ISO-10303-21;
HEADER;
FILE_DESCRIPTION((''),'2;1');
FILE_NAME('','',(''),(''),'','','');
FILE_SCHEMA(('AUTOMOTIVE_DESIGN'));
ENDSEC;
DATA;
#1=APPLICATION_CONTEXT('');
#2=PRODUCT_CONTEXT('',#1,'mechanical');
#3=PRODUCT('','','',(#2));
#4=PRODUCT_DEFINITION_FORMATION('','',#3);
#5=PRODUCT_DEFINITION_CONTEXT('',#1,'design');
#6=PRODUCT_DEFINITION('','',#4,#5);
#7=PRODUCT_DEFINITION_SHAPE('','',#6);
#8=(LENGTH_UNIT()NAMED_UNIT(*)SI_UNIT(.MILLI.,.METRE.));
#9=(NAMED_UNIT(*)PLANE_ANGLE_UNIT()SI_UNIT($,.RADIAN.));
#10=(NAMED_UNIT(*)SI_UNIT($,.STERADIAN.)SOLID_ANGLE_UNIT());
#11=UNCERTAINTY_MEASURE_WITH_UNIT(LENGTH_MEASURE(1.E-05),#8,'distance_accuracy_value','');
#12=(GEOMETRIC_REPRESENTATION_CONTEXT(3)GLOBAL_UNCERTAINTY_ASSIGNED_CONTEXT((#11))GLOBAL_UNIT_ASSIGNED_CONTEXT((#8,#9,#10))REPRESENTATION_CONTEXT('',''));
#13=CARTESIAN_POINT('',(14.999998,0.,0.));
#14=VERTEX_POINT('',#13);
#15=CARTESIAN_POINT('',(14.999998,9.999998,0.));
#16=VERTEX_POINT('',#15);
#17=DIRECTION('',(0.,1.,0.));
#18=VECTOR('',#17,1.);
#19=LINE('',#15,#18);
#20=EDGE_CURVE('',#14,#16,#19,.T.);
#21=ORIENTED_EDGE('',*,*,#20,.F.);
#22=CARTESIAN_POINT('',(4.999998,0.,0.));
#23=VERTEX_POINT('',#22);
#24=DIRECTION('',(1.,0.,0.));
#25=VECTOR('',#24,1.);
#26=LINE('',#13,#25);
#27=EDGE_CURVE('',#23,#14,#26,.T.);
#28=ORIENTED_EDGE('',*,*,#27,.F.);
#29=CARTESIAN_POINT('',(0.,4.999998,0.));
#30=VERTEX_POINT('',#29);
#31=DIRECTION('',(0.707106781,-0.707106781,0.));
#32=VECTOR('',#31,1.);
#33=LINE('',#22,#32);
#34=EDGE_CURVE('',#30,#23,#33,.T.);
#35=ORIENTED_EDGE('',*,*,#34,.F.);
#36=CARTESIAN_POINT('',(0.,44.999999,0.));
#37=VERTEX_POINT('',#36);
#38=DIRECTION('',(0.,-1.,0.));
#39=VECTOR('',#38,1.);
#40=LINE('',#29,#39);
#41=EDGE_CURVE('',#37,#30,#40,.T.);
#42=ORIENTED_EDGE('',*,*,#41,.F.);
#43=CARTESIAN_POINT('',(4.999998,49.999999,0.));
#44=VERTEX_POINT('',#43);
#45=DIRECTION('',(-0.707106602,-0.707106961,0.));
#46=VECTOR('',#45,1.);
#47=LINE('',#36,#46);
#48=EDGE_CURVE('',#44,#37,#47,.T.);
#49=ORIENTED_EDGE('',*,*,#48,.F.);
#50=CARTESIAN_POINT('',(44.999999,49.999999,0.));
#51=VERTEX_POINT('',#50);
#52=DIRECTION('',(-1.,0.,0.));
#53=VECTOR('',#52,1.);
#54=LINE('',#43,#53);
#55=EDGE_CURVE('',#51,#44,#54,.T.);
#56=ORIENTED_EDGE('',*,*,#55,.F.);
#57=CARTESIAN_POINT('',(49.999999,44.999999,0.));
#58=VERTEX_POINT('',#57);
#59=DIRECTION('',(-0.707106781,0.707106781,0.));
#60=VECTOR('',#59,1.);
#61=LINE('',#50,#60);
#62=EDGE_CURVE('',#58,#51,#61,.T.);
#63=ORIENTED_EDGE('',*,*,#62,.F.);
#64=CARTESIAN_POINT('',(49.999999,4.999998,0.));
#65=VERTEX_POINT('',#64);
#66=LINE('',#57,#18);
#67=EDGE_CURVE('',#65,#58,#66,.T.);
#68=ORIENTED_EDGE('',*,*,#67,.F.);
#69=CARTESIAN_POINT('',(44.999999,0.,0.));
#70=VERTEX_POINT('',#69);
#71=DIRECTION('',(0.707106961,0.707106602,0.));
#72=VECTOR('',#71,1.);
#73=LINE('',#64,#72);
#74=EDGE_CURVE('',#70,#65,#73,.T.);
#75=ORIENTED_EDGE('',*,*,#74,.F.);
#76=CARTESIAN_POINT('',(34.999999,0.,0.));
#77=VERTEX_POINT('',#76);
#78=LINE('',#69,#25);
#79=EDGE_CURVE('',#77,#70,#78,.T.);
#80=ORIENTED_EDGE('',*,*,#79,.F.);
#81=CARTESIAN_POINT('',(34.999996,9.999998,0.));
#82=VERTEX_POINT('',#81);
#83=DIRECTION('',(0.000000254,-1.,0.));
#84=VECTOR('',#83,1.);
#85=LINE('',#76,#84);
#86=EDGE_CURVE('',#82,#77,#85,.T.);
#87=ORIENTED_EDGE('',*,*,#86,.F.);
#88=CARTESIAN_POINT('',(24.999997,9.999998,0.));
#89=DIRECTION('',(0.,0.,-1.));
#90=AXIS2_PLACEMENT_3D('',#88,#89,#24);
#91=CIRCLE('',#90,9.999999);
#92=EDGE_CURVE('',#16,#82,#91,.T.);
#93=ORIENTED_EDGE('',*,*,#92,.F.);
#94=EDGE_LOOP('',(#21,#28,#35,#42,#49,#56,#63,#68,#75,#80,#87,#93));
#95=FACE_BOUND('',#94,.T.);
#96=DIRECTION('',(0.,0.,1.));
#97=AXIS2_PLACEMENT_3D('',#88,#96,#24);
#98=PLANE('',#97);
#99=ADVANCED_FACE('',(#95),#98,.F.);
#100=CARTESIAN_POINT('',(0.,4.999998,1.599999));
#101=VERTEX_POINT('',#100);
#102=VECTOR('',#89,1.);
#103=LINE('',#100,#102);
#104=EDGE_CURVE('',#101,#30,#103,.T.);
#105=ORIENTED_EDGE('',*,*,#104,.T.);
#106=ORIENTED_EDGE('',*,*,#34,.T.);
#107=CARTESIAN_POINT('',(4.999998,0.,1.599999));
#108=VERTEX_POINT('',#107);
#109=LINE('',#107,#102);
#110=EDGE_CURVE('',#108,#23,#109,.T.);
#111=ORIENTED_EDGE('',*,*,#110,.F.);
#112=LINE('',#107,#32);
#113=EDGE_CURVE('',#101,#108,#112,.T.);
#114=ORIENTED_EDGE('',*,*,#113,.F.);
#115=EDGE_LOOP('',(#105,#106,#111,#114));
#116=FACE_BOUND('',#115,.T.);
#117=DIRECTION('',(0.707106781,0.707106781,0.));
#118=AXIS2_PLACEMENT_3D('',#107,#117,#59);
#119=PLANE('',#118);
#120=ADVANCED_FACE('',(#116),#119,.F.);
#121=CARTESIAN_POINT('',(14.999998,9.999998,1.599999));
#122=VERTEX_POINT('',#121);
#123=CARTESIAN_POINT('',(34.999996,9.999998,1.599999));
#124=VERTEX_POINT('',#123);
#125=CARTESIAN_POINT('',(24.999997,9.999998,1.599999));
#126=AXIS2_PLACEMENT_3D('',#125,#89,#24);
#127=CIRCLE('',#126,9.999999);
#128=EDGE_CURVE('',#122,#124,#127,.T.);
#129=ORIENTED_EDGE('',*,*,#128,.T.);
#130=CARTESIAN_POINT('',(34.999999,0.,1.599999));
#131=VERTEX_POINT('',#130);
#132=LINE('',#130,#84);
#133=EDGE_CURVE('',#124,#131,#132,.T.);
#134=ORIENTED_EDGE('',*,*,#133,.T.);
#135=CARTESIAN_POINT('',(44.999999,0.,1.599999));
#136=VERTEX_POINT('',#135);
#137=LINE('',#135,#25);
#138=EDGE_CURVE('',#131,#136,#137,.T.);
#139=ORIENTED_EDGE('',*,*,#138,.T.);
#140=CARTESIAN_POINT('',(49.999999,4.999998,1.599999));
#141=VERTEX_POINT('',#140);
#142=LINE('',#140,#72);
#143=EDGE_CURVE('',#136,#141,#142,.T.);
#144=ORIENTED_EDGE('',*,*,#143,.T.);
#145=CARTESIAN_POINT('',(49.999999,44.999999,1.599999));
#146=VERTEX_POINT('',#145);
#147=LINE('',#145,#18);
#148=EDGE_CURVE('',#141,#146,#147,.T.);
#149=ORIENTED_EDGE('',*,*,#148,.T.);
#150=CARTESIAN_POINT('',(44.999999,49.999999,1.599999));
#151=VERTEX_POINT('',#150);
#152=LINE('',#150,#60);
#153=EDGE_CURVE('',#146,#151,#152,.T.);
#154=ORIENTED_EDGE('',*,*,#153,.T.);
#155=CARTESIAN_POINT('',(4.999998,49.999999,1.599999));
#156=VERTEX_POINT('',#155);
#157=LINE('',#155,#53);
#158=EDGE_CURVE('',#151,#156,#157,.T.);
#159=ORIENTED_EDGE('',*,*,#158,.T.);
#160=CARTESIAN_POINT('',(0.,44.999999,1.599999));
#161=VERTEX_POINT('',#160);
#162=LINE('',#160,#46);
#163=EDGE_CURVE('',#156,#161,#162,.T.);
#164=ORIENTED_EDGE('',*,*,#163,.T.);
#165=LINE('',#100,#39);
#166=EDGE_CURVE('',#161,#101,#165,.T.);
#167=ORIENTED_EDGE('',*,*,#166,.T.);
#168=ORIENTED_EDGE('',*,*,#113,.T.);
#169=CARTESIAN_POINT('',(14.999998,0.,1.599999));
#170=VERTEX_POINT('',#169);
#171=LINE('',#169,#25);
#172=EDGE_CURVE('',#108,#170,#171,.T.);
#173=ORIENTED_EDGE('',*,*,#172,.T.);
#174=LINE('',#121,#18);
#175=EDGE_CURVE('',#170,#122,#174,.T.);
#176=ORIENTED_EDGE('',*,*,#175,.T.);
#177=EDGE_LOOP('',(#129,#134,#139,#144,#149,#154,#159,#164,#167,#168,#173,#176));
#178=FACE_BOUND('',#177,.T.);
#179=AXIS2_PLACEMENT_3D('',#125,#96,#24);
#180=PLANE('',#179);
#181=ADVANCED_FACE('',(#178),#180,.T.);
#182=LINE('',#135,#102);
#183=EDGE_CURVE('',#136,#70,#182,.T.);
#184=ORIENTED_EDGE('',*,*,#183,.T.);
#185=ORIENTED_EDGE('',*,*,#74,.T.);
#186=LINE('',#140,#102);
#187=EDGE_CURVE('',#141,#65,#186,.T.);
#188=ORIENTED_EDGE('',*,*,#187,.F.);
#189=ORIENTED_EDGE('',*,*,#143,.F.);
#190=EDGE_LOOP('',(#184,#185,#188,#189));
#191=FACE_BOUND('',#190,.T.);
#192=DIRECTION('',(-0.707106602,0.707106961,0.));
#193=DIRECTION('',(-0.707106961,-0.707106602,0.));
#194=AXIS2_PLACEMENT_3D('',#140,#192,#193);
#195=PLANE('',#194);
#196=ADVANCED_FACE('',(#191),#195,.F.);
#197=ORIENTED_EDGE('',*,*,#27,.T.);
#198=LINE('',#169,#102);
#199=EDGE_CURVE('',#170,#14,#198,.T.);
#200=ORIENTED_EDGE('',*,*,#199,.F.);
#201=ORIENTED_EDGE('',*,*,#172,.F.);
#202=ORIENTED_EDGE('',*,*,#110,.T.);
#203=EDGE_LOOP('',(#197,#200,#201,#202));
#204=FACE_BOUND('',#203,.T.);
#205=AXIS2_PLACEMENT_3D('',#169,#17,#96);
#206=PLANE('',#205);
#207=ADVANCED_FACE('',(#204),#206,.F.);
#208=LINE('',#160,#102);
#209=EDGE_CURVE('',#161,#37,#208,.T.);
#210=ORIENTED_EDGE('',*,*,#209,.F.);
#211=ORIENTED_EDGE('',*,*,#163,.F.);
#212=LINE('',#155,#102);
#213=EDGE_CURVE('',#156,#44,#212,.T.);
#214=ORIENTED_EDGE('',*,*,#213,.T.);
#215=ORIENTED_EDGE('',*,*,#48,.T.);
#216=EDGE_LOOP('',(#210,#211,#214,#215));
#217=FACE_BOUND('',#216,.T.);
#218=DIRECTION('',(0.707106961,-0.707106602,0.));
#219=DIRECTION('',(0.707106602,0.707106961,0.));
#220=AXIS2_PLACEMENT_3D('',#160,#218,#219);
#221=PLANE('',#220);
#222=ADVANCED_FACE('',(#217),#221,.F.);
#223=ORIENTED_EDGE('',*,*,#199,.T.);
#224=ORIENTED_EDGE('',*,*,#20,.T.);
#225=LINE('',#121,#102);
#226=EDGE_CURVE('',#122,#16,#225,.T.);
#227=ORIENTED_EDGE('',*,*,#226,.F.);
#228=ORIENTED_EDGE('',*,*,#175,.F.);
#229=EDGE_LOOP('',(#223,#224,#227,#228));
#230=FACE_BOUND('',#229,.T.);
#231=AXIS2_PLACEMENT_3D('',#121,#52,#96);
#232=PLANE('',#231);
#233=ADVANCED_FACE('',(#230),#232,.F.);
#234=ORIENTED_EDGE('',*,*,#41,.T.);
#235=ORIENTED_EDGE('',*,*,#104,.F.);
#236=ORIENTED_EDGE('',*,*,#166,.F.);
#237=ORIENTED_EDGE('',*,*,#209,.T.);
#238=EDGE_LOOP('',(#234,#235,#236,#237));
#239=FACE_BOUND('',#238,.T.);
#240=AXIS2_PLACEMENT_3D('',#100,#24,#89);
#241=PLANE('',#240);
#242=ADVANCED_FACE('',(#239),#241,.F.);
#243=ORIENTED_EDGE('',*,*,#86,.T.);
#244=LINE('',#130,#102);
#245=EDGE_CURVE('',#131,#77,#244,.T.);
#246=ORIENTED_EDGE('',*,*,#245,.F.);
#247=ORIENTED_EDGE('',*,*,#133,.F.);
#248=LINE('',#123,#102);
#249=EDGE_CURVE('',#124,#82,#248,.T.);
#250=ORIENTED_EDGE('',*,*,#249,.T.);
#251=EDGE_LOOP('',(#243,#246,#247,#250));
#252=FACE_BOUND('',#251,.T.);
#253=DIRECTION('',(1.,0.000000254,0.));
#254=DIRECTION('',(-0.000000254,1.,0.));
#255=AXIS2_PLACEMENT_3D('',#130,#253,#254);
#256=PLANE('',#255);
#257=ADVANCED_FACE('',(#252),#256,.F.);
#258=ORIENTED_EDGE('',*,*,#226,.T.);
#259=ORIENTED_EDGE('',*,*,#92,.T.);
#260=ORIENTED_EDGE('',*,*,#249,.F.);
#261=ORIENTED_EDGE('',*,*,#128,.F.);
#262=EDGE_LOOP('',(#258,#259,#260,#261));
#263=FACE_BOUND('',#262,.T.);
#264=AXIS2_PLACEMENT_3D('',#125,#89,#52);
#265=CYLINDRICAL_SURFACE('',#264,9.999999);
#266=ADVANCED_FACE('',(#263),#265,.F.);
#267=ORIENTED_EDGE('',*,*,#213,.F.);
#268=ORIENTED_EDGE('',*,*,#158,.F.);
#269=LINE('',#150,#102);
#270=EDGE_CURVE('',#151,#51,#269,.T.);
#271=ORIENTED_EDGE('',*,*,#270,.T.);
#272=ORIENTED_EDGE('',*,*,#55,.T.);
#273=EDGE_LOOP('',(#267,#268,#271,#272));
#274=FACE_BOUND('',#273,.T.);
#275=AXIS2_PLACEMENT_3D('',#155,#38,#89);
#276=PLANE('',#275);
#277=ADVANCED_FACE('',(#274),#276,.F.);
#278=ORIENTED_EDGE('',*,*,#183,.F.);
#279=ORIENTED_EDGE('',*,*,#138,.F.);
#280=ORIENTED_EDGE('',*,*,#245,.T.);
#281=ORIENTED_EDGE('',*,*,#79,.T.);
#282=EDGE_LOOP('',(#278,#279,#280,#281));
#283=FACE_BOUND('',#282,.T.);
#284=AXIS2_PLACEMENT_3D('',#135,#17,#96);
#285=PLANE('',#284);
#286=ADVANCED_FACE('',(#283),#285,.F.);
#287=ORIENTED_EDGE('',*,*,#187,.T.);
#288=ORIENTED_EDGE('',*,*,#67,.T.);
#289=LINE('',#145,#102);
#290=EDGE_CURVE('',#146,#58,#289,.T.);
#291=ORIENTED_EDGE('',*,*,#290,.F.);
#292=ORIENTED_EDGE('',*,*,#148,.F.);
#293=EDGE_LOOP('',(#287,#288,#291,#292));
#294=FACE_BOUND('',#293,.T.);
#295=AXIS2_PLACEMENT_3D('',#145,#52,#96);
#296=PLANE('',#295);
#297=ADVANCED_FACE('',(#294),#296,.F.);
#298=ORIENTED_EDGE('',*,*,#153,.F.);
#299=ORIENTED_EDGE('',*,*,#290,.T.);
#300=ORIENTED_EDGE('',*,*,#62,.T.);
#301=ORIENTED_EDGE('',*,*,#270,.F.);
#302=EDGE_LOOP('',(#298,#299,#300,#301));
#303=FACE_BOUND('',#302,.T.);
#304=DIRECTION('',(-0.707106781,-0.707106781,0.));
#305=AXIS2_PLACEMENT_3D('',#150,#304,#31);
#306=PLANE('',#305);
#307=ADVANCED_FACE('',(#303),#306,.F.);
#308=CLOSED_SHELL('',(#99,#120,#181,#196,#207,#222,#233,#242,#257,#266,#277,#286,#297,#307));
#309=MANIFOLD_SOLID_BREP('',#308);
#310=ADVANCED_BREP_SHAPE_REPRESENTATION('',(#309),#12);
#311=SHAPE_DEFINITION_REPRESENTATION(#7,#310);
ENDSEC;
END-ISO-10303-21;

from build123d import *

# Parameters (mm, degrees)
BOARD_DEPTH = 1.599999


with BuildPart() as part:
    # 草圖1 → Board (new body)
    with BuildSketch(Plane.XY):
        with BuildLine():
            Line((14.99999794, 9.99999778), (14.99999794, 0))
            Line((14.99999794, 0), (4.99999762, 0))
            Line((4.99999762, 0), (0, 4.99999762))
            Line((0, 4.99999762), (0, 44.9999989))
            Line((0, 44.9999989), (4.99999762, 49.99999906))
            Line((4.99999762, 49.99999906), (44.9999989, 49.99999906))
            Line((44.9999989, 49.99999906), (49.99999906, 44.9999989))
            Line((49.99999906, 44.9999989), (49.99999906, 4.99999762))
            Line((49.99999906, 4.99999762), (44.9999989, 0))
            Line((44.9999989, 0), (34.99999858, 0))
            Line((34.99999858, 0), (34.99999604, 9.99999778))
            ThreePointArc((34.99999604, 9.99999778), (24.99999699, 19.99999683), (14.99999794, 9.99999778))
        make_face()
    extrude(amount=BOARD_DEPTH)


solid = part.part
